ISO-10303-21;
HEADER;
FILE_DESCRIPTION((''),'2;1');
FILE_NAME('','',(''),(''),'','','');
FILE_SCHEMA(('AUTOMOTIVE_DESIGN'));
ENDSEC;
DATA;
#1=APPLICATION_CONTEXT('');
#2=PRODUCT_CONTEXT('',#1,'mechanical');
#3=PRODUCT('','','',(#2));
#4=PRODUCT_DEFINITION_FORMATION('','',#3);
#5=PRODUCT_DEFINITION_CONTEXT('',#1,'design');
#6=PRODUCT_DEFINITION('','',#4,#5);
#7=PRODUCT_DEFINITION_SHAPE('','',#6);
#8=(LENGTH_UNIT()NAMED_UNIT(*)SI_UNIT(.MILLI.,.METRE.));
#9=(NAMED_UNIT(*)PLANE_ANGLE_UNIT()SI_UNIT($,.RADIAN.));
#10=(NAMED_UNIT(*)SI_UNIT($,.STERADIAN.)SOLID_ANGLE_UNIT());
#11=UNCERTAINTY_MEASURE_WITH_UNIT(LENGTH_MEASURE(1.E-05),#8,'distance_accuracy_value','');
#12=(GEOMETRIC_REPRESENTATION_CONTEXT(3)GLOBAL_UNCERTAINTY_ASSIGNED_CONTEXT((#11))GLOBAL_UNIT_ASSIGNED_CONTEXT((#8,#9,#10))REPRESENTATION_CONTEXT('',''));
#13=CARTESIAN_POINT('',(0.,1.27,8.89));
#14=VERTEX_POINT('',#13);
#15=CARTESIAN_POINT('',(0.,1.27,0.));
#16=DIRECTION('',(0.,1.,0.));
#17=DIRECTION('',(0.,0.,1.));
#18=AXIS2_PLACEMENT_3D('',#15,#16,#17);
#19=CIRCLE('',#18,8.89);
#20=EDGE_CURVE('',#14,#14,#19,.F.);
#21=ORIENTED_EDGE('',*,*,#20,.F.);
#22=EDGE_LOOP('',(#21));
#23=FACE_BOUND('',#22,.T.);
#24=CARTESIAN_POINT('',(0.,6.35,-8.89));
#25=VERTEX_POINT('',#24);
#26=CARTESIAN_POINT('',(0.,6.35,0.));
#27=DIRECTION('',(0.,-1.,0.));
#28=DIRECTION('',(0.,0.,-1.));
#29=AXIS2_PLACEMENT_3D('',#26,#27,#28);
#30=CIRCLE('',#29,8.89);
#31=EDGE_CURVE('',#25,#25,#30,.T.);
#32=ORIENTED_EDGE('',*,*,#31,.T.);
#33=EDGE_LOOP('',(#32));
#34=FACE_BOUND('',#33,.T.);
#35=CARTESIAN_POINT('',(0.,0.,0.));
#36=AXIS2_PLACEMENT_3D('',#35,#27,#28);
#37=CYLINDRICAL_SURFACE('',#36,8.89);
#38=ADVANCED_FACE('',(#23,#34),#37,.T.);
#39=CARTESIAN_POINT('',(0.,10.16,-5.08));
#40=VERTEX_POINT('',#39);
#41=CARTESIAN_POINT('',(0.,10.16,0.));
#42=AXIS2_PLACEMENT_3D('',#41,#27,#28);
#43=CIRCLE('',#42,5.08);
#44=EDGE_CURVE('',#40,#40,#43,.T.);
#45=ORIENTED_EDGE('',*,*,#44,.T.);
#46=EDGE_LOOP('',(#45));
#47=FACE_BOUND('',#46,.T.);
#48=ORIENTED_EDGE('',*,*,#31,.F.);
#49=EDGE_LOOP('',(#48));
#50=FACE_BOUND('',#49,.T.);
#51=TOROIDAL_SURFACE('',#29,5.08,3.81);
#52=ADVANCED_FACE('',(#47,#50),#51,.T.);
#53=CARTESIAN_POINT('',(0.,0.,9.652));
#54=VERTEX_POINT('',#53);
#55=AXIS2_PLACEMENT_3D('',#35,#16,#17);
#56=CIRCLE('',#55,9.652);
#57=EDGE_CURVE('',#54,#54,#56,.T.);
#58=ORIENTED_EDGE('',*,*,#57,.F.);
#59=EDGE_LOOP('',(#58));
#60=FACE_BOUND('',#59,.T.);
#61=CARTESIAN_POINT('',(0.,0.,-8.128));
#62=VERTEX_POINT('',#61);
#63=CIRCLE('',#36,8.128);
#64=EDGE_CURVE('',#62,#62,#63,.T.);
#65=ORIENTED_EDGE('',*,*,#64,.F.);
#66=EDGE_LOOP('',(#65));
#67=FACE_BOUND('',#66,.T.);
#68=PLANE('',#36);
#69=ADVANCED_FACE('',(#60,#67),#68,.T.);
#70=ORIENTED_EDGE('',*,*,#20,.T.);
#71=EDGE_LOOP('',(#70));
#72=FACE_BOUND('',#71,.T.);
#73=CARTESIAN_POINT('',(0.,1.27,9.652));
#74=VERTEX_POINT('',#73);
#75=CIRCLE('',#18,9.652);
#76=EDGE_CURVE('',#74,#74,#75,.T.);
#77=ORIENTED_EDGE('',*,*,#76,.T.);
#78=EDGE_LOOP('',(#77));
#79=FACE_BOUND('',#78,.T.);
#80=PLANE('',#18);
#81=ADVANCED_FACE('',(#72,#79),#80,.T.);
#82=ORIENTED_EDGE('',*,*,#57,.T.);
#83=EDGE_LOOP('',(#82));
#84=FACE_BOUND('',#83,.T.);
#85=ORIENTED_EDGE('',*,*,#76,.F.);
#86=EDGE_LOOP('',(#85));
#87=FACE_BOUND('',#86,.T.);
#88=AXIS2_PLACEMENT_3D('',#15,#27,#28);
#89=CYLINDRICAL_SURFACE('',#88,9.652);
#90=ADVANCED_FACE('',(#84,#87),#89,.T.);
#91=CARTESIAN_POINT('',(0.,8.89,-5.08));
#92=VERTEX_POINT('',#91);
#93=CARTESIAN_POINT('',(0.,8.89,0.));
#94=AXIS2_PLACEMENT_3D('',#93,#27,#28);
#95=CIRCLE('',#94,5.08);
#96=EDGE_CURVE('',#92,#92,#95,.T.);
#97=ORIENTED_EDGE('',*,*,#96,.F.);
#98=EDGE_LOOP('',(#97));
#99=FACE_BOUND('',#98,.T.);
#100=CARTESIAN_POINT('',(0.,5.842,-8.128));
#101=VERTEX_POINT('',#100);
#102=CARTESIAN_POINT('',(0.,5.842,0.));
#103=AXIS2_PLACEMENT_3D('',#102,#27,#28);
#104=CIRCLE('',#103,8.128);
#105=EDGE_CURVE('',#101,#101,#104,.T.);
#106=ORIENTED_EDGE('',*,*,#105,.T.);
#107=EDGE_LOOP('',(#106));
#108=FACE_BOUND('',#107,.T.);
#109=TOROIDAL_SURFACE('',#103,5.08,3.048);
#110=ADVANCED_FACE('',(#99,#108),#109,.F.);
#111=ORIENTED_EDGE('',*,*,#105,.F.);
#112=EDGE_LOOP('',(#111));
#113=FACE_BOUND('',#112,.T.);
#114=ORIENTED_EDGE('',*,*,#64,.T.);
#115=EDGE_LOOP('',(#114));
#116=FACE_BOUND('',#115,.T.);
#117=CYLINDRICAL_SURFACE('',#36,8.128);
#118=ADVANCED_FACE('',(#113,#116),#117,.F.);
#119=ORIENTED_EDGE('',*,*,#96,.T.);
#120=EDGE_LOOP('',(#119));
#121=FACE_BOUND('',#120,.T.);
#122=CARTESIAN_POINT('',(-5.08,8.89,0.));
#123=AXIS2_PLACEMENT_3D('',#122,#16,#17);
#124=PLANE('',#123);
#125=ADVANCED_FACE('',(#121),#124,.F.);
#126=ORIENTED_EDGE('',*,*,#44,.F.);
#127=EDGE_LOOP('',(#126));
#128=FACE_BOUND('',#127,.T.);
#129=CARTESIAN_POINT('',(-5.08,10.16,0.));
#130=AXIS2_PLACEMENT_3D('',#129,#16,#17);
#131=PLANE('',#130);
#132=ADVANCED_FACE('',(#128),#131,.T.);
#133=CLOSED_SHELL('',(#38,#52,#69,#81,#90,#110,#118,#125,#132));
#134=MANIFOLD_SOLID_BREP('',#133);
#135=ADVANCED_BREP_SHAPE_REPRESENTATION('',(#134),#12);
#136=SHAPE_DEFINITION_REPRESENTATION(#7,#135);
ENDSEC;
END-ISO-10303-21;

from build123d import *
from build123d.topology import SkipClean

# Parameters (mm, degrees)
BODY_ANGLE   = 180
INSIDE_ANGLE = 180
LIP_START    = 1.27
SKETCH4_R    = 9.652
SKETCH4_R_2  = 8.89
LIP_DEPTH    = 1.27


with BuildPart() as part:
    # Sketch1 → Body (revolve)
    with BuildSketch(Plane.XY):
        with BuildLine():
            Line((0, 0), (8.89, 0))
            Line((8.89, 0), (8.89, 6.35))
            ThreePointArc((8.89, 6.35), (7.774076836, 9.044076836), (5.08, 10.16))
            Line((5.08, 10.16), (0, 10.16))
            Line((0, 10.16), (0, 0))
        make_face()
    revolve(axis=Axis((0, 0, 0), (0, 1, 0)), revolution_arc=BODY_ANGLE)

    # Sketch2 → Inside (revolve, cut)
    with BuildSketch(Plane.XY):
        with BuildLine():
            Line((0, 0), (8.128, 0))
            Line((8.128, 0), (8.128, 5.842))
            ThreePointArc((8.128, 5.842), (7.235261469, 7.997261469), (5.08, 8.89))
            Line((5.08, 8.89), (0, 8.89))
            Line((0, 8.89), (0, 0))
        make_face()
    revolve(axis=Axis((0, 0, 0), (0, 1, 0)), revolution_arc=INSIDE_ANGLE, mode=Mode.SUBTRACT)

    # Mirror 2: part across face


with BuildPart() as part_1:
    with SkipClean():  # the faces are left unmerged after this step: merging them gives an invalid solid
        add(part.part)
        add(part.part.mirror(Plane(origin=(0, 7.378791693, 0), x_dir=(1, 0, 0), z_dir=(0, 0, 1))))

    # Sketch4 → Lip (add)
    with SkipClean():  # the faces are left unmerged after this step: merging them gives an invalid solid
        with BuildSketch(Plane(origin=(0, 0, 0), x_dir=(1, 0, 0), z_dir=(0, 1, 0)).offset(LIP_START)):
            with Locations(Location((0, 0, 0), (0, 0, 270))):
                Circle(SKETCH4_R)
            with Locations(Location((0, 0, 0), (0, 0, 90))):
                Circle(SKETCH4_R_2, mode=Mode.SUBTRACT)
        extrude(amount=-LIP_DEPTH)


solid = part_1.part
